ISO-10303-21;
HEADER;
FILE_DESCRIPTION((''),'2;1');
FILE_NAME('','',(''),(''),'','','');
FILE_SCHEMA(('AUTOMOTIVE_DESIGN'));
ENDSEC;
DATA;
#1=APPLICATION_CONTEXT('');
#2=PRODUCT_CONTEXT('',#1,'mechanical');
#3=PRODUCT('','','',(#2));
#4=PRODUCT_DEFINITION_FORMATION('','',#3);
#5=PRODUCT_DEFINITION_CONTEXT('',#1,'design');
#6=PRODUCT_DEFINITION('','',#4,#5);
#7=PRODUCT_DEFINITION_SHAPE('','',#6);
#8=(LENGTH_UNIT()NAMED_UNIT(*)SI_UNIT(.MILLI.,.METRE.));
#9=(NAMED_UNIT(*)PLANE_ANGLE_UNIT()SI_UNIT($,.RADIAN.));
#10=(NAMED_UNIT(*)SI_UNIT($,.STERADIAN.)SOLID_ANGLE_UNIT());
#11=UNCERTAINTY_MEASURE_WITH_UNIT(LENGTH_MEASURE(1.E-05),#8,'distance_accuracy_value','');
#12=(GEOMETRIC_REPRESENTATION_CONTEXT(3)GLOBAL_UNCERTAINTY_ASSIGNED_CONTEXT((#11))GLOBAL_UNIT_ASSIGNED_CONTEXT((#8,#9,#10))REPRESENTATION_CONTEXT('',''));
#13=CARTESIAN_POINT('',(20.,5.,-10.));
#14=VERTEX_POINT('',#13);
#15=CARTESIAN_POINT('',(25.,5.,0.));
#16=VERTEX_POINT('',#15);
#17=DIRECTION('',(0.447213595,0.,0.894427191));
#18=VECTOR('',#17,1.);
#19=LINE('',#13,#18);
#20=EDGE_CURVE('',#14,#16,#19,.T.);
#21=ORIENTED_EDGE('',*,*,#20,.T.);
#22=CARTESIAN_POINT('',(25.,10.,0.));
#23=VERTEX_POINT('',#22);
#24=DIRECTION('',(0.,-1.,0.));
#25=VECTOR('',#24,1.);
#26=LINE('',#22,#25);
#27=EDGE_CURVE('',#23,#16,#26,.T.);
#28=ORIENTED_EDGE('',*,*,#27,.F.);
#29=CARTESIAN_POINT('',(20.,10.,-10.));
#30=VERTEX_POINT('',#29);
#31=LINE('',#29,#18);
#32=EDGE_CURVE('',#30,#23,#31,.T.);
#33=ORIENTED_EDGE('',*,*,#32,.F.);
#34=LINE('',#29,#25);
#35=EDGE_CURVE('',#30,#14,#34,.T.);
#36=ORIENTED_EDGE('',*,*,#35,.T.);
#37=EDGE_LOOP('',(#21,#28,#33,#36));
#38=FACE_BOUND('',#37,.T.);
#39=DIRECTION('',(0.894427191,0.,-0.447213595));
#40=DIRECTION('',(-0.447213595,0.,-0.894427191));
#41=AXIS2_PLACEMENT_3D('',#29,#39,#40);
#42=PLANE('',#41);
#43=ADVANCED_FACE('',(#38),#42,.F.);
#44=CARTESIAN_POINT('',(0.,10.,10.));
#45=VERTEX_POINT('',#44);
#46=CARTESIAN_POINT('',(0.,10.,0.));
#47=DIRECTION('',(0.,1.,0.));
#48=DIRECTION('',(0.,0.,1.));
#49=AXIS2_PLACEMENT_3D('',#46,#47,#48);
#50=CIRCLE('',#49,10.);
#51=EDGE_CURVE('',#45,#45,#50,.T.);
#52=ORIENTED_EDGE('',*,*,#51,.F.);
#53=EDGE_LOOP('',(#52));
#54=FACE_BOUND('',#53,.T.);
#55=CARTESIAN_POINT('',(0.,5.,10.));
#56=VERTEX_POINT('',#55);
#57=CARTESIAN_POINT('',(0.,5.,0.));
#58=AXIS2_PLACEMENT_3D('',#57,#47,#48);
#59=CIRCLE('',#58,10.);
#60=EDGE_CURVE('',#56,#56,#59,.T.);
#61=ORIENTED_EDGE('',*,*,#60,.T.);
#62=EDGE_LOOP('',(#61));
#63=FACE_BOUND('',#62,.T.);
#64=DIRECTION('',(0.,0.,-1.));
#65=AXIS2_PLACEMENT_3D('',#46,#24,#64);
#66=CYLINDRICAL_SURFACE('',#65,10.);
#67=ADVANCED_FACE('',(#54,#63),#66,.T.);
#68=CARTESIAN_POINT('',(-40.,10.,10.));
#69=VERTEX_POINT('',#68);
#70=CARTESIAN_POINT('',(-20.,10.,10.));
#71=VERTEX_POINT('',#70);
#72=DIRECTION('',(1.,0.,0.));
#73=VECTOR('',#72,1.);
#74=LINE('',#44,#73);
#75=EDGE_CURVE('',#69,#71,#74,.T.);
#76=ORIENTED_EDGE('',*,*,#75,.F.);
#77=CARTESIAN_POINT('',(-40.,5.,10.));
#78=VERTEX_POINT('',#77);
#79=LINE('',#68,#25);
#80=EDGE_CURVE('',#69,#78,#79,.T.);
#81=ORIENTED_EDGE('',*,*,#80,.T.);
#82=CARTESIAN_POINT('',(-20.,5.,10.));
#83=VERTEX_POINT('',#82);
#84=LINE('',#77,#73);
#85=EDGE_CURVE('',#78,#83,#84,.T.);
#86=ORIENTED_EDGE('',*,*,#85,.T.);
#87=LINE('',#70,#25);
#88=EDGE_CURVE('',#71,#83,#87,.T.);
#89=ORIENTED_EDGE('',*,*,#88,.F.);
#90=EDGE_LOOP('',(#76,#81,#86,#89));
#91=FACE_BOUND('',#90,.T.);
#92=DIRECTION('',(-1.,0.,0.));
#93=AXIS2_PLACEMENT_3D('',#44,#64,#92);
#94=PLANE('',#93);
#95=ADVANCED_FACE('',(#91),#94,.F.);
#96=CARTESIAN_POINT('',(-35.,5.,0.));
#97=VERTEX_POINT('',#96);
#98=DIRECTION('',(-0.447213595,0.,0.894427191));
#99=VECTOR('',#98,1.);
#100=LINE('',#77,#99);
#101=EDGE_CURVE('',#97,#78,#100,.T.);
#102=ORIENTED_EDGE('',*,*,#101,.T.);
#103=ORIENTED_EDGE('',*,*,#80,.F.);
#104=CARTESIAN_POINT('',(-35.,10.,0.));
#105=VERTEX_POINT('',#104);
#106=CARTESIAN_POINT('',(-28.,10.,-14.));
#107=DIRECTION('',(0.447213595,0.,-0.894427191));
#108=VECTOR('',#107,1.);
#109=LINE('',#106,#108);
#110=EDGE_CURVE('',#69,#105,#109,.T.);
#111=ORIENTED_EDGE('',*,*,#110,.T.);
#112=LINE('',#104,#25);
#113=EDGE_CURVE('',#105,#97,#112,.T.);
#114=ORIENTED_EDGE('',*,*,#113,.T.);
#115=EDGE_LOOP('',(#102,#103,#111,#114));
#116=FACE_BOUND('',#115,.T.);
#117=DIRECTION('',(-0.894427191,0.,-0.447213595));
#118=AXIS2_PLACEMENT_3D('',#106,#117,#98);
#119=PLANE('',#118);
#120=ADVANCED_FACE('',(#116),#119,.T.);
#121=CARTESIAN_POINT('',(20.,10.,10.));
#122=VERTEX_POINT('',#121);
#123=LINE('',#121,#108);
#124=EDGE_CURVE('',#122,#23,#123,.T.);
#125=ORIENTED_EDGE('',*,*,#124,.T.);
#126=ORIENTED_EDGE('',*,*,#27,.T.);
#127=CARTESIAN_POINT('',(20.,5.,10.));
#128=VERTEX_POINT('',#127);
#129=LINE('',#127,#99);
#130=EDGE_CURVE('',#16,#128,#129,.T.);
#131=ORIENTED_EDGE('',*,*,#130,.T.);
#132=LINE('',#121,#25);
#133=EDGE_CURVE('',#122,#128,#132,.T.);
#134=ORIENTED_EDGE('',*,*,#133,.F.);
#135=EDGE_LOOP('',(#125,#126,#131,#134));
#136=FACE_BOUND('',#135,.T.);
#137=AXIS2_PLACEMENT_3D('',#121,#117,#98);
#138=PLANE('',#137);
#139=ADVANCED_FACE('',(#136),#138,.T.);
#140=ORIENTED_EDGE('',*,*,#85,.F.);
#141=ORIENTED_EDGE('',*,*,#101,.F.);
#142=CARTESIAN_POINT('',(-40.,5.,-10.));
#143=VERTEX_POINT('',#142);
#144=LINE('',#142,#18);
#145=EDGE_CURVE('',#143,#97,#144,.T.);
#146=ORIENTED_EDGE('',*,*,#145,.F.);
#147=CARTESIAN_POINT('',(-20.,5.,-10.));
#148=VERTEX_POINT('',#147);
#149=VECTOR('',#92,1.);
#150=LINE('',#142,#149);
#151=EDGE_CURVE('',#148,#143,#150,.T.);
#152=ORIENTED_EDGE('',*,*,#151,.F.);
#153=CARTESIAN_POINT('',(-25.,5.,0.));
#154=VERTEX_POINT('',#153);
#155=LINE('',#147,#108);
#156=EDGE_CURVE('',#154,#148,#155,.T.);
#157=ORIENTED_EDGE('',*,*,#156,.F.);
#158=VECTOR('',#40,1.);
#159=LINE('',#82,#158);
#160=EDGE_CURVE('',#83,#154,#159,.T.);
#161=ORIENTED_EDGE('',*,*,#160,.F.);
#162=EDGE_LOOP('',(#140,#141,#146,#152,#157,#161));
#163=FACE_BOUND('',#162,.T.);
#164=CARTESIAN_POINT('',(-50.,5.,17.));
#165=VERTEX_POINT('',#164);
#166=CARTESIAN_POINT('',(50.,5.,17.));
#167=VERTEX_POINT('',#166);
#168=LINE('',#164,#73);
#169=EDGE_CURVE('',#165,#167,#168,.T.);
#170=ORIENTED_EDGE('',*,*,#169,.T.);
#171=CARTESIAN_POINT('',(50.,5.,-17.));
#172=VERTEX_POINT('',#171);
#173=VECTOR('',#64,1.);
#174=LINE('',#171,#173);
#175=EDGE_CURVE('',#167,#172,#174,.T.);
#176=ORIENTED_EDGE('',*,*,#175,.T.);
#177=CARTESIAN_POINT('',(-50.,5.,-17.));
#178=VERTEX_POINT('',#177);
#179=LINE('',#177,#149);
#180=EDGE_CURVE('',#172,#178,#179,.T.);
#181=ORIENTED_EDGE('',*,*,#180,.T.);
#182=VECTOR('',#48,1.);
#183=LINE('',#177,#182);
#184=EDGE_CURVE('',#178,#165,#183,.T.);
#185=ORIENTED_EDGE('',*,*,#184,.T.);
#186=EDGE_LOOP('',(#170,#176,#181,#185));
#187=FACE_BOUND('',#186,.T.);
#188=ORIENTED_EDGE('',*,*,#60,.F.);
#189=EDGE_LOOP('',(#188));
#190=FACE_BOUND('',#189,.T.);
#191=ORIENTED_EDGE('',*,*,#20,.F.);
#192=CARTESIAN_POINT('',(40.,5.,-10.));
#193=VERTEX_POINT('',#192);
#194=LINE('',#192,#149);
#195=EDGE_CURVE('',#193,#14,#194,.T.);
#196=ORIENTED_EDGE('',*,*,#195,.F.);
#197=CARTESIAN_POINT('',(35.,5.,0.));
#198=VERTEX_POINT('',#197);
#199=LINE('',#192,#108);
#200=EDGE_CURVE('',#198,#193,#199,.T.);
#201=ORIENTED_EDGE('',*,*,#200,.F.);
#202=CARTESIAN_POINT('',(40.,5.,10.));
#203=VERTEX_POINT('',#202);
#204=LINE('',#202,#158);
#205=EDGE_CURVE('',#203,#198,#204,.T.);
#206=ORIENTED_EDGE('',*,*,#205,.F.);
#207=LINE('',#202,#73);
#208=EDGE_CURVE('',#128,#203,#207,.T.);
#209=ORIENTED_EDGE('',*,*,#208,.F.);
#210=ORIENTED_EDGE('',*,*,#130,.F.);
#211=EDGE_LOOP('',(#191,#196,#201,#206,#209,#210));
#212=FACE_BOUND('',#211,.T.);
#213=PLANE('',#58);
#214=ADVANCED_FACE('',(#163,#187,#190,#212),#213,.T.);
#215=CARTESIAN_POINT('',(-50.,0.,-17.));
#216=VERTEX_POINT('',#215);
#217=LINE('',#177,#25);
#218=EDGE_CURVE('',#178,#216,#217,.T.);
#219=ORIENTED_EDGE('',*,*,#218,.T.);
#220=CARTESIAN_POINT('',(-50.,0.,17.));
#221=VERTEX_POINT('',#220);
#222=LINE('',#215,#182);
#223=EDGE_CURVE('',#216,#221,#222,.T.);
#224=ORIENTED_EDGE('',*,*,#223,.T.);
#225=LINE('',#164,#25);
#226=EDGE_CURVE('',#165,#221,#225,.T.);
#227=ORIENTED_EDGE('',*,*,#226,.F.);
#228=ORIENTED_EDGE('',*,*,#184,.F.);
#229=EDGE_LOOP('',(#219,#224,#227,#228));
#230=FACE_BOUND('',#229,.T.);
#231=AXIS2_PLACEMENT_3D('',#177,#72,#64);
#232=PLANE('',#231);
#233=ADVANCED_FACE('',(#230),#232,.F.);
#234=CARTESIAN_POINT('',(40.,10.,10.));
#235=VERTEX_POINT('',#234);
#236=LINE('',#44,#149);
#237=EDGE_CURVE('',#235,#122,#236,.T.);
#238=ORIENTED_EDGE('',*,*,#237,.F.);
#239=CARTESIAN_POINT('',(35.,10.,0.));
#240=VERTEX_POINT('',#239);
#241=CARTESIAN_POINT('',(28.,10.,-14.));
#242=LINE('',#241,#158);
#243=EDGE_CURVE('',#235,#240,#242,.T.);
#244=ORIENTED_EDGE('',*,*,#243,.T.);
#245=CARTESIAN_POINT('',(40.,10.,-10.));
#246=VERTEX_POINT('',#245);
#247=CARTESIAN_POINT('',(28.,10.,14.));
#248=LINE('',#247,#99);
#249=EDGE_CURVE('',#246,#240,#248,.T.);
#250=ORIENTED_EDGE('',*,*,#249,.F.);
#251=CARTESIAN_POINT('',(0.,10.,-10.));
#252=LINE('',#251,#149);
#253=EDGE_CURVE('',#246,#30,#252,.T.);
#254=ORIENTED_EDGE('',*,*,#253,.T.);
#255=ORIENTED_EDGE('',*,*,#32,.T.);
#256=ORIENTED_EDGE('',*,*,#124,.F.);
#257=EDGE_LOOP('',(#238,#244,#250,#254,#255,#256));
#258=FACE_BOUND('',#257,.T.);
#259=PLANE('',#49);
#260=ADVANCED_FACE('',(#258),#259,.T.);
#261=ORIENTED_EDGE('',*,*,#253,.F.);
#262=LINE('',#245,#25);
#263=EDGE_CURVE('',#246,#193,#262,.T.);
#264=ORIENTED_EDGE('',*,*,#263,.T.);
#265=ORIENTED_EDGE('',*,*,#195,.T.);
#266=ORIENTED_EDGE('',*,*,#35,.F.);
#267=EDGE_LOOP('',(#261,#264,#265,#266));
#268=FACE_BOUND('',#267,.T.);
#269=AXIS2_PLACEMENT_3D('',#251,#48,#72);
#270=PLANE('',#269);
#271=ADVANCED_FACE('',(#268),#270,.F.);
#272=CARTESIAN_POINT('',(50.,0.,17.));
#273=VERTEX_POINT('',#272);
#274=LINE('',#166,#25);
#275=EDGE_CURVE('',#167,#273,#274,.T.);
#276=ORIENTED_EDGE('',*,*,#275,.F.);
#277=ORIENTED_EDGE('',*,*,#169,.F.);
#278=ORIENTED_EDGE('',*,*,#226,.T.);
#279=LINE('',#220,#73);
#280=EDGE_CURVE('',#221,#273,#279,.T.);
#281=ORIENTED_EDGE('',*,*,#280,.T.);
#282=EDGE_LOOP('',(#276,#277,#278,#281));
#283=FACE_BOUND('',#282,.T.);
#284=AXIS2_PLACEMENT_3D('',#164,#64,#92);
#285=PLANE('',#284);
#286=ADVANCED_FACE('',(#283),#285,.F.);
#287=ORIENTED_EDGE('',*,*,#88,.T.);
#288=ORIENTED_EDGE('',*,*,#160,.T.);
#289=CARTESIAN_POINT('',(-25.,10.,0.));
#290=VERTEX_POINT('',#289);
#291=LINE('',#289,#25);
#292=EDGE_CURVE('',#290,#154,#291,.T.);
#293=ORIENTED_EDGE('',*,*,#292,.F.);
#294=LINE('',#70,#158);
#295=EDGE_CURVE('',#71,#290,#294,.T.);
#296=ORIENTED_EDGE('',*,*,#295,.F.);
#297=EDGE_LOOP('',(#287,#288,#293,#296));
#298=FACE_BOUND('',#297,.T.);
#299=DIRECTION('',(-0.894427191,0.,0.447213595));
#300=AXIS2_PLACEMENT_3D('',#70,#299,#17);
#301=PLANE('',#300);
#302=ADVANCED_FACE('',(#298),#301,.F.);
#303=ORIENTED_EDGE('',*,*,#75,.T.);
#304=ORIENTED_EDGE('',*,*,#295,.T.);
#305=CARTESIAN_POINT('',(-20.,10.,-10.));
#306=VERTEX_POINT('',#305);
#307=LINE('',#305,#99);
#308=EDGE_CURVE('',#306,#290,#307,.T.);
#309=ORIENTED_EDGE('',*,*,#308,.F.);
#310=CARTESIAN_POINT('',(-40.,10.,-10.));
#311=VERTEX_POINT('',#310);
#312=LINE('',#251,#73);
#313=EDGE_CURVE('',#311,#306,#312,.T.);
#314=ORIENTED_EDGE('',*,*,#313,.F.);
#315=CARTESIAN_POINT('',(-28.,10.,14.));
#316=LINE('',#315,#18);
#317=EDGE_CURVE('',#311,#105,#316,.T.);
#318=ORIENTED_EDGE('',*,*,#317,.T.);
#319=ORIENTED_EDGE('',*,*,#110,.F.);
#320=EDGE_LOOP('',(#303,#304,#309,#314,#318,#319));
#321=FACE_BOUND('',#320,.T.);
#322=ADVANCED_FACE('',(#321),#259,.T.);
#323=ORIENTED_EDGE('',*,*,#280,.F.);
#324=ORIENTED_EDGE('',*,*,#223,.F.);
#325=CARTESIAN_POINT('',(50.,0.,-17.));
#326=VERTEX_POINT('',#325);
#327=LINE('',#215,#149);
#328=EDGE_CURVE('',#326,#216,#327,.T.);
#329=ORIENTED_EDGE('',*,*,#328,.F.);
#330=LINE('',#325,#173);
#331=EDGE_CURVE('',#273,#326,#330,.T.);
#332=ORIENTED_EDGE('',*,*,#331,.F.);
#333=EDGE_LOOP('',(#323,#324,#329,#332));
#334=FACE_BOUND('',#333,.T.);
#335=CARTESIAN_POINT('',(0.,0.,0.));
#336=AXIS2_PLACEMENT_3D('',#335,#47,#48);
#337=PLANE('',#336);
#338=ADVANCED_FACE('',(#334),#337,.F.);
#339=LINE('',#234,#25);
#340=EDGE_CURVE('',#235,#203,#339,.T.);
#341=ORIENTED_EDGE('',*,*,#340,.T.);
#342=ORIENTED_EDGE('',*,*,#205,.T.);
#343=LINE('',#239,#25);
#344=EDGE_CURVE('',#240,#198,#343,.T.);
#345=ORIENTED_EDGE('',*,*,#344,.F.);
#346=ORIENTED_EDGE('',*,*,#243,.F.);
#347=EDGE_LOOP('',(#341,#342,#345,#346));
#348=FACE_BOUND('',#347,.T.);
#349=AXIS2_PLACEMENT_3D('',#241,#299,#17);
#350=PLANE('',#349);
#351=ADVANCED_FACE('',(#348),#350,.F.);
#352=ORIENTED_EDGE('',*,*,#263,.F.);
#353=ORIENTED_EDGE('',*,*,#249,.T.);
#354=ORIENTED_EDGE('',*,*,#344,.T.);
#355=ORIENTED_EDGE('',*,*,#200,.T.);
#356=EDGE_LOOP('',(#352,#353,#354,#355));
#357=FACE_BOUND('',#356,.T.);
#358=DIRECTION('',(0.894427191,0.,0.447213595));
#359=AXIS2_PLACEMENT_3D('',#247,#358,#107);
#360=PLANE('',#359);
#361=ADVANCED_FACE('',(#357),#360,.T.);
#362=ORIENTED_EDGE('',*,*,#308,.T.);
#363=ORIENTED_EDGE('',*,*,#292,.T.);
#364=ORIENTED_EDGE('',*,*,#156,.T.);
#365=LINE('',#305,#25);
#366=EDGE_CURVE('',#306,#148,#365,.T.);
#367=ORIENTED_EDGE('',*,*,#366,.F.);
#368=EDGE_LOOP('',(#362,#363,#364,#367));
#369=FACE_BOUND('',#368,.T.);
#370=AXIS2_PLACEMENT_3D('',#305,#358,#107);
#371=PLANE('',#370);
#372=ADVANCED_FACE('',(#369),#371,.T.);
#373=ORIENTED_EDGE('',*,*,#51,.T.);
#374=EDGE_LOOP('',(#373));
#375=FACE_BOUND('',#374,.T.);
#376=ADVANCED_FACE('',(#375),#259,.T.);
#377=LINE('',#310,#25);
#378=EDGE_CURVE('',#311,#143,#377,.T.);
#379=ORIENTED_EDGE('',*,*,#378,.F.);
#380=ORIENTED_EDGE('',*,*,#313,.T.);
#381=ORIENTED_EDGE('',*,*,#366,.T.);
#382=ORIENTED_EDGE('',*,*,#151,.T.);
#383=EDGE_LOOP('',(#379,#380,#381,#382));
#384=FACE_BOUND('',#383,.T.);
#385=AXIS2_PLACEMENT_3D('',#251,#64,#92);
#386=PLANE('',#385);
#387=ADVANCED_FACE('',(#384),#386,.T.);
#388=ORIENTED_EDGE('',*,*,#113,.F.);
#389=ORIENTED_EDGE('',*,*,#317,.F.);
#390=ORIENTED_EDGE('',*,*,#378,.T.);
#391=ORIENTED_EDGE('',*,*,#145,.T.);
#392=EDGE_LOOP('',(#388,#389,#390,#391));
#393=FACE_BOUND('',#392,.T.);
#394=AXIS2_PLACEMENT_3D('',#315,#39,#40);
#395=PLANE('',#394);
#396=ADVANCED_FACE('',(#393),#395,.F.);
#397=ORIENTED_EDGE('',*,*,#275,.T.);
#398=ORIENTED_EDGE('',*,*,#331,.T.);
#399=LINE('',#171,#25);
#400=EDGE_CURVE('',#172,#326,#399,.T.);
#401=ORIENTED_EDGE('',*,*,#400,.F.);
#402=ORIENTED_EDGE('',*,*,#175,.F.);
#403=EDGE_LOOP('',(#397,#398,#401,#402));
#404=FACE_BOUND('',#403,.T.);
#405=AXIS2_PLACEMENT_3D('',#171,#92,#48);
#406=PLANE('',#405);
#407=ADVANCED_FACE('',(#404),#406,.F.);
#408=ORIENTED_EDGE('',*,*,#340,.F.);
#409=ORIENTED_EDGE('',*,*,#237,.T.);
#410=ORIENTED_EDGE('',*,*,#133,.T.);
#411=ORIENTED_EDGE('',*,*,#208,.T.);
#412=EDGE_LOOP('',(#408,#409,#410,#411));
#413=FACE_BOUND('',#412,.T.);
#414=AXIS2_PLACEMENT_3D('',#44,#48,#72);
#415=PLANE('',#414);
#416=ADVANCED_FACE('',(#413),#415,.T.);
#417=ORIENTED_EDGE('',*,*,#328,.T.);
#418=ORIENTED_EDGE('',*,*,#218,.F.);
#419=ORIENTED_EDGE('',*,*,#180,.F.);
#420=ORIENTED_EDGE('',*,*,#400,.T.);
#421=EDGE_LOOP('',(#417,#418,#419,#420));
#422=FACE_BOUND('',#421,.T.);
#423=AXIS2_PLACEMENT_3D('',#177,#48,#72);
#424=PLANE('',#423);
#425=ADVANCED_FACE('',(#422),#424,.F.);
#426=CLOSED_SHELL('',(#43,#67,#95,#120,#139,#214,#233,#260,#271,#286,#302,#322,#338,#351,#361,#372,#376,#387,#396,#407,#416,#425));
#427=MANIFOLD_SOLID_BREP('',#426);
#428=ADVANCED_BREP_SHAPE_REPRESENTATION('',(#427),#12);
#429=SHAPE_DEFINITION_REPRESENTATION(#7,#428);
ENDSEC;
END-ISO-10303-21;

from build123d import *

# Parameters (mm, degrees)
SKETCH_1_W      = 100
SKETCH_1_H      = 34
SKETCH_1_R      = 10
EXTRUDE_1_DEPTH = 5
SKETCH_1_2_R    = 10
EXTRUDE_2_DEPTH = 10


with BuildPart() as part:
    # 草图1 → 凸台-拉伸1 (new body)
    with BuildSketch(Plane(origin=(0, 0, 0), x_dir=(1, 0, 0), z_dir=(0, 1, 0))):
        Rectangle(SKETCH_1_W, SKETCH_1_H)
        Circle(SKETCH_1_R, mode=Mode.SUBTRACT)
        Polygon((-40, 10), (-20, 10), (-25, 0), (-20, -10), (-40, -10), (-35, 0), align=None, mode=Mode.SUBTRACT)
        Polygon((40, 10), (20, 10), (25, 0), (20, -10), (40, -10), (35, 0), align=None, mode=Mode.SUBTRACT)
    extrude(amount=EXTRUDE_1_DEPTH)

    # 草图1<2> → 凸台-拉伸2 (add)
    with BuildSketch(Plane(origin=(0, 0, 0), x_dir=(1, 0, 0), z_dir=(0, 1, 0))):
        Polygon((-20, 10), (-40, 10), (-35, 0), (-40, -10), (-20, -10), (-25, 0), align=None)
        Polygon((35, 0), (40, 10), (20, 10), (25, 0), (20, -10), (40, -10), align=None)
        Circle(SKETCH_1_2_R)
    extrude(amount=EXTRUDE_2_DEPTH)


solid = part.part
